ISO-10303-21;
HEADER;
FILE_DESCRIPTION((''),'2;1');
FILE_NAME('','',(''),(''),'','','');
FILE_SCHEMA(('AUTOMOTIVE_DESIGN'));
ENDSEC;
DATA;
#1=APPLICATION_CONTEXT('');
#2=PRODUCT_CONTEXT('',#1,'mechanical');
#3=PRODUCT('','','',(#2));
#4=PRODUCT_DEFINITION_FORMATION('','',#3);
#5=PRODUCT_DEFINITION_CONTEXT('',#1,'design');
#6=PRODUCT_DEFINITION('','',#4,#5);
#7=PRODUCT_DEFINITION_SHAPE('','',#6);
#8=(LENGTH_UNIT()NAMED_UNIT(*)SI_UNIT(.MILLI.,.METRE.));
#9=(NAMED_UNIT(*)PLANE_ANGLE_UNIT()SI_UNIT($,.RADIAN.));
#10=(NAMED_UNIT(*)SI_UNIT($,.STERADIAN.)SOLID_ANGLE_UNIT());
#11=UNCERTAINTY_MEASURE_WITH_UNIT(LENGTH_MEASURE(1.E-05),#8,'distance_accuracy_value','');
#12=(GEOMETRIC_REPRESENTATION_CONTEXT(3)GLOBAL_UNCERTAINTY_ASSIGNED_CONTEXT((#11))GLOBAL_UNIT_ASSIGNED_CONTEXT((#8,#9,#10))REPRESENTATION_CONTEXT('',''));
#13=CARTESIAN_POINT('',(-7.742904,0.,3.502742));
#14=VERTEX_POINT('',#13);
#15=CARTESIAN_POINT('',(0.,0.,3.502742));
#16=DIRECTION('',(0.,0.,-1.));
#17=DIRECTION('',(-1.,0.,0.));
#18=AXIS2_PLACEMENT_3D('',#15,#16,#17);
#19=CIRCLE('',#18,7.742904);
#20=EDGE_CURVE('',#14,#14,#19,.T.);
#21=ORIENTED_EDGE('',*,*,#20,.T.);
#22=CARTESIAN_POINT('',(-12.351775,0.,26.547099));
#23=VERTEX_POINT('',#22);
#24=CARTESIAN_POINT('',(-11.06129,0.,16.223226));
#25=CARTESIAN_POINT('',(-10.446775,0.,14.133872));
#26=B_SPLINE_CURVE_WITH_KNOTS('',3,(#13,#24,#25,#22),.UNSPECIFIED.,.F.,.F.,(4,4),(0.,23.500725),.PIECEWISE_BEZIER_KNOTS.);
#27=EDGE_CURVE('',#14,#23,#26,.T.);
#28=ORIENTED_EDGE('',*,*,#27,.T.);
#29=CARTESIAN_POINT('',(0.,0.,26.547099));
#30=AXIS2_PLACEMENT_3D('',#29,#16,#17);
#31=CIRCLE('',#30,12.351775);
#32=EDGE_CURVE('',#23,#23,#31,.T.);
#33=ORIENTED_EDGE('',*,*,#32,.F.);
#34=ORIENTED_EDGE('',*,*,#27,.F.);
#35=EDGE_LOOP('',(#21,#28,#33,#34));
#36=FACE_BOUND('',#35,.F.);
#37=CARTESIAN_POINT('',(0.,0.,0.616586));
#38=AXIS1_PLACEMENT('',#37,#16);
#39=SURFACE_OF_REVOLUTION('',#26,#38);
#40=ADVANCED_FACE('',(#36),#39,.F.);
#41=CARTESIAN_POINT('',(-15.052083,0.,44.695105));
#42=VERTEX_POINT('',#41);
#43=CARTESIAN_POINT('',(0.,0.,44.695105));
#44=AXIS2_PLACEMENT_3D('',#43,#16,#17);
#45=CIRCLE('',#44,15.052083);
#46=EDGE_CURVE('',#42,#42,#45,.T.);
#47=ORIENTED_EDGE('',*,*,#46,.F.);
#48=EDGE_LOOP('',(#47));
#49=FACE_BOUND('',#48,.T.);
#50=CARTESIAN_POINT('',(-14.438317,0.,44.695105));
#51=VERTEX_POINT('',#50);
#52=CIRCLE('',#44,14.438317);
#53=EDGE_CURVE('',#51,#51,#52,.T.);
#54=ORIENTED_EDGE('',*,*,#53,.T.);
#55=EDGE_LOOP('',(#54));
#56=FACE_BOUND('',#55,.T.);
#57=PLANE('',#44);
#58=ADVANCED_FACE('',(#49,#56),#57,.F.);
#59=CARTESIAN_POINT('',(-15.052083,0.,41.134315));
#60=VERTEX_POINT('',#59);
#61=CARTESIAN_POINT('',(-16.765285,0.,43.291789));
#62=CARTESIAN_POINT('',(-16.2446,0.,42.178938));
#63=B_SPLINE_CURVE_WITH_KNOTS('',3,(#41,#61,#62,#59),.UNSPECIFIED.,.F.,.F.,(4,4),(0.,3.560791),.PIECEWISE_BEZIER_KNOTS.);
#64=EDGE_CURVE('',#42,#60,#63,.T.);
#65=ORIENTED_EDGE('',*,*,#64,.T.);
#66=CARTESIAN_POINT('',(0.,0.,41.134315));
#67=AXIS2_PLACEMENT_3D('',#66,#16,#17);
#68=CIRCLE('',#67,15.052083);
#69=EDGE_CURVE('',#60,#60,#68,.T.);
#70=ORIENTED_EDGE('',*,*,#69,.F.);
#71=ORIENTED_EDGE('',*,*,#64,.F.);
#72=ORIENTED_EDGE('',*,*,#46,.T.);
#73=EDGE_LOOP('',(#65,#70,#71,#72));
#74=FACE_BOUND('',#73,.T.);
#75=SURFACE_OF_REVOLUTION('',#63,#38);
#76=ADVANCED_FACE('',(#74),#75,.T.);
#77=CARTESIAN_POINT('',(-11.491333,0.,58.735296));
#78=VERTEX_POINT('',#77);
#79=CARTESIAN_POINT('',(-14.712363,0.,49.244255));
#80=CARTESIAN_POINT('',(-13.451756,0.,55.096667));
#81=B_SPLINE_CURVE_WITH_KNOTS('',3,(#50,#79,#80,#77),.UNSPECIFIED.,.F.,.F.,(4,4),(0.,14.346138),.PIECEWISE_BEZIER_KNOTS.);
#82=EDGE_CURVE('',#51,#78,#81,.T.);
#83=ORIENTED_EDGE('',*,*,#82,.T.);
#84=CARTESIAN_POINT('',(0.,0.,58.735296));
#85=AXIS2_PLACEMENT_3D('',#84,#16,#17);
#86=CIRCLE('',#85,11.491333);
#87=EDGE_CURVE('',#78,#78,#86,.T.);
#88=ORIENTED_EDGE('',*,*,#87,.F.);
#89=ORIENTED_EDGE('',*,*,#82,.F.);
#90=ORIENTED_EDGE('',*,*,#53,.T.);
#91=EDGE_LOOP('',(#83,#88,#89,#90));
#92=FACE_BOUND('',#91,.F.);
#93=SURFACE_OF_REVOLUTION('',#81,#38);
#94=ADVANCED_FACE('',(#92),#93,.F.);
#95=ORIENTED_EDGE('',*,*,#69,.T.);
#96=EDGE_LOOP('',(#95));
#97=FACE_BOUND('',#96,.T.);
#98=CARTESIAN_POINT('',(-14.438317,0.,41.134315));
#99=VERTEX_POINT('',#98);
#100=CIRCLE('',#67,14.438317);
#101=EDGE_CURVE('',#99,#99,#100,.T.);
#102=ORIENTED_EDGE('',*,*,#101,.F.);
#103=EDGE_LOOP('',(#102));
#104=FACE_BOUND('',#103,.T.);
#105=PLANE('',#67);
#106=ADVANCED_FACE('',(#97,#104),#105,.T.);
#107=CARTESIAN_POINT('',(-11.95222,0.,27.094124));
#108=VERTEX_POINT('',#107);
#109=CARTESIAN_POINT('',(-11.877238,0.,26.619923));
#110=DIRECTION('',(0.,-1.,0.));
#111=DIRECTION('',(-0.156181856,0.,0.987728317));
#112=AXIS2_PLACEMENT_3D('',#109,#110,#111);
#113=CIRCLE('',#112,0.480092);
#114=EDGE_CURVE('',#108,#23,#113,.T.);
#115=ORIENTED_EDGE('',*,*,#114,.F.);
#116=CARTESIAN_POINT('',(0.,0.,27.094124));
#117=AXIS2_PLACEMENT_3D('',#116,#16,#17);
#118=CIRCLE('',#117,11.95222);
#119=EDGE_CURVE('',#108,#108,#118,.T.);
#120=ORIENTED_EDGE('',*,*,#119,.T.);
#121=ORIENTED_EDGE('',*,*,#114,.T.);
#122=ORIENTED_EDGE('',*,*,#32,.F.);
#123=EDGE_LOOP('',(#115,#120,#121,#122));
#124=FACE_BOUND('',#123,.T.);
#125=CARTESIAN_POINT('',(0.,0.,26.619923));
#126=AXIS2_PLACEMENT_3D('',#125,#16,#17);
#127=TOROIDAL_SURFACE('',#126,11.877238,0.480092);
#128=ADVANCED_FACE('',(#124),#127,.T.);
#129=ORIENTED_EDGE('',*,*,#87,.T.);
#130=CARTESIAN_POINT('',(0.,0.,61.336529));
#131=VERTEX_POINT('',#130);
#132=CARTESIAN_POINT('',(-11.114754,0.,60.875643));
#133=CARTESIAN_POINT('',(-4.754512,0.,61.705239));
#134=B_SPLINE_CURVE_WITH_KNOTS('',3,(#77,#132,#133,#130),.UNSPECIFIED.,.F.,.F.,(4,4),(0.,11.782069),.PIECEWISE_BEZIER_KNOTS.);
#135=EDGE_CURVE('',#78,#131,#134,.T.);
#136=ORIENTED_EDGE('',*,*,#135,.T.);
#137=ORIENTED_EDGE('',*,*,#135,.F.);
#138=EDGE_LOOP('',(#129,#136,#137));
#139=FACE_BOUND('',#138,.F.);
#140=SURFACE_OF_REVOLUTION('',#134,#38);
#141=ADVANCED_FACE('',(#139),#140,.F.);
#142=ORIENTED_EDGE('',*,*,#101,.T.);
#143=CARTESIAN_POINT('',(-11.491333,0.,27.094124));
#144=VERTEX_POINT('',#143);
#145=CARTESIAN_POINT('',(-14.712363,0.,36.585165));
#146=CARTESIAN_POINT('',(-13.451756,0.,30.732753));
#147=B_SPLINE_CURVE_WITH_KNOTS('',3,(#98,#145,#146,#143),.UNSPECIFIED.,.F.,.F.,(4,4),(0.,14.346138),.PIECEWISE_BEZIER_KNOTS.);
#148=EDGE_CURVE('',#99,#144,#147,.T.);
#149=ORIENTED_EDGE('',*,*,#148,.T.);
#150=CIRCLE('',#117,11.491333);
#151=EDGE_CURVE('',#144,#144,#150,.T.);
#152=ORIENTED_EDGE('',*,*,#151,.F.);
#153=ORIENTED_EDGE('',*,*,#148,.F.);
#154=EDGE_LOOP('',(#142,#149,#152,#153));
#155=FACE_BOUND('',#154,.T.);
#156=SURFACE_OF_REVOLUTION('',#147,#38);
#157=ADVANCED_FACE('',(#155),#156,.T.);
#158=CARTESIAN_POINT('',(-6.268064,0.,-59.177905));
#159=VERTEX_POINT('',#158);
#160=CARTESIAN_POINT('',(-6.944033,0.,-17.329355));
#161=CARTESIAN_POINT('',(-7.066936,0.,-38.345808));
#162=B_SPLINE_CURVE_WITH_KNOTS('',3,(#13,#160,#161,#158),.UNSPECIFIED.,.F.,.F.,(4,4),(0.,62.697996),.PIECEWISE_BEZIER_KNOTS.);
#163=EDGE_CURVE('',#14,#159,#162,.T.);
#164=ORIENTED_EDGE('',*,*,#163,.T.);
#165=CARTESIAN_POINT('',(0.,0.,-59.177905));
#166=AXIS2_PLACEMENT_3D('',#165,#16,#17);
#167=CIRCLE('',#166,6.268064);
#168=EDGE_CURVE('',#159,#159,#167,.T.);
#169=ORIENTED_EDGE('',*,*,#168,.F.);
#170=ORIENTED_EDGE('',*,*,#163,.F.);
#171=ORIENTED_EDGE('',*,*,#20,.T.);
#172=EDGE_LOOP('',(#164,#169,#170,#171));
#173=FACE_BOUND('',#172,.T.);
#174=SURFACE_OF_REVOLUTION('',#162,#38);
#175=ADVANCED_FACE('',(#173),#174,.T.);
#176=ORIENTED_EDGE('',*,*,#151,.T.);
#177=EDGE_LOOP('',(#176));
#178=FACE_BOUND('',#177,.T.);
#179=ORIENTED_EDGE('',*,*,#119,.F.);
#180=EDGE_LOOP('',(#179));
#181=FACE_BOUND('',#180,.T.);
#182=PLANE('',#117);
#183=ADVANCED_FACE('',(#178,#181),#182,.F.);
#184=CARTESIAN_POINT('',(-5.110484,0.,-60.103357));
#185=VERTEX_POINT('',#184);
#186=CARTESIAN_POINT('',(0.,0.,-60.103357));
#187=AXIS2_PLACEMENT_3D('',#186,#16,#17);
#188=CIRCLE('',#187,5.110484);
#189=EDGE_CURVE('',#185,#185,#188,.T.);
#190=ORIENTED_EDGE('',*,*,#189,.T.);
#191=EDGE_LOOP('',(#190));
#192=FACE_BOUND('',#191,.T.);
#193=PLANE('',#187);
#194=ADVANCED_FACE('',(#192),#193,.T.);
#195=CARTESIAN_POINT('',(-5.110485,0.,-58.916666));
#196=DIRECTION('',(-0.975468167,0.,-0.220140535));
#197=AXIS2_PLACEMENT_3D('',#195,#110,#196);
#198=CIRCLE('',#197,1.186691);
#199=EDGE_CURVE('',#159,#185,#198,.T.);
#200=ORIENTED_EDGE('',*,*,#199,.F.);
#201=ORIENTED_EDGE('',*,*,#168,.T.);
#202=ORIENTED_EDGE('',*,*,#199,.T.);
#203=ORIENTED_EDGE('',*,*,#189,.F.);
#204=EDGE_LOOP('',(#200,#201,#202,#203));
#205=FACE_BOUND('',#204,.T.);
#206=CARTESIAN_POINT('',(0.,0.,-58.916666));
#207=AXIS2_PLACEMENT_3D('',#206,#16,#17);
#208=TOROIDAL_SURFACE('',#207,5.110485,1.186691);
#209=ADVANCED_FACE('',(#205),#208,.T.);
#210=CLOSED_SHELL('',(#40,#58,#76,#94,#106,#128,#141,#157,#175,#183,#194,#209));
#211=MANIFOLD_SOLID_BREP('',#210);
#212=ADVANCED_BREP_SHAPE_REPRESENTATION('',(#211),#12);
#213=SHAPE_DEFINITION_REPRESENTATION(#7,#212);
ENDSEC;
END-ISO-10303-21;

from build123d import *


with BuildPart() as f1:
    # F0 (on Front) → F1 (revolve)
    with BuildSketch(Plane.XZ):
        with BuildLine():
            add(Edge.make_bspline(
                [(-7.742904, 3.502742), (-11.06129, 16.223226), (-10.446775, 14.133872), (-12.351775, 26.547099)],
                knots=[0, 0, 0, 0, 23.500725, 23.500725, 23.500725, 23.500725], degree=3))
            add(Edge.make_bspline(
                [(-7.742904, 3.502742), (-6.944033, -17.329355), (-7.066936, -38.345808), (-6.268064, -59.177905)],
                knots=[0, 0, 0, 0, 62.697996, 62.697996, 62.697996, 62.697996], degree=3))
            ThreePointArc((-6.268064, -59.177905), (-5.851506, -59.843555), (-5.110484, -60.103357))
            Line((-5.110484, -60.103357), (0, -60.103357))
            Line((0, -60.103357), (0, 61.336529))
            add(Edge.make_bspline(
                [(-11.491333, 58.735296), (-11.114754, 60.875643), (-4.754512, 61.705239), (0, 61.336529)],
                knots=[0, 0, 0, 0, 11.782069, 11.782069, 11.782069, 11.782069], degree=3))
            add(Edge.make_bspline(
                [(-14.438317, 44.695105), (-14.712363, 49.244255), (-13.451756, 55.096667), (-11.491333, 58.735296)],
                knots=[0, 0, 0, 0, 14.346138, 14.346138, 14.346138, 14.346138], degree=3))
            Line((-14.438317, 44.695105), (-15.052083, 44.695105))
            add(Edge.make_bspline(
                [(-15.052083, 44.695105), (-16.765285, 43.291789), (-16.2446, 42.178938), (-15.052083, 41.134315)],
                knots=[0, 0, 0, 0, 3.560791, 3.560791, 3.560791, 3.560791], degree=3))
            Line((-15.052083, 41.134315), (-14.438317, 41.134315))
            add(Edge.make_bspline(
                [(-14.438317, 41.134315), (-14.712363, 36.585165), (-13.451756, 30.732753), (-11.491333, 27.094124)],
                knots=[0, 0, 0, 0, 14.346138, 14.346138, 14.346138, 14.346138], degree=3))
            Line((-11.491333, 27.094124), (-11.95222, 27.094124))
            ThreePointArc((-11.95222, 27.094124), (-12.264926, 26.903096), (-12.351775, 26.547099))
        make_face()
    revolve(axis=Axis((0, 0, 0.616586), (0, 0, -1)))


solid = f1.part
